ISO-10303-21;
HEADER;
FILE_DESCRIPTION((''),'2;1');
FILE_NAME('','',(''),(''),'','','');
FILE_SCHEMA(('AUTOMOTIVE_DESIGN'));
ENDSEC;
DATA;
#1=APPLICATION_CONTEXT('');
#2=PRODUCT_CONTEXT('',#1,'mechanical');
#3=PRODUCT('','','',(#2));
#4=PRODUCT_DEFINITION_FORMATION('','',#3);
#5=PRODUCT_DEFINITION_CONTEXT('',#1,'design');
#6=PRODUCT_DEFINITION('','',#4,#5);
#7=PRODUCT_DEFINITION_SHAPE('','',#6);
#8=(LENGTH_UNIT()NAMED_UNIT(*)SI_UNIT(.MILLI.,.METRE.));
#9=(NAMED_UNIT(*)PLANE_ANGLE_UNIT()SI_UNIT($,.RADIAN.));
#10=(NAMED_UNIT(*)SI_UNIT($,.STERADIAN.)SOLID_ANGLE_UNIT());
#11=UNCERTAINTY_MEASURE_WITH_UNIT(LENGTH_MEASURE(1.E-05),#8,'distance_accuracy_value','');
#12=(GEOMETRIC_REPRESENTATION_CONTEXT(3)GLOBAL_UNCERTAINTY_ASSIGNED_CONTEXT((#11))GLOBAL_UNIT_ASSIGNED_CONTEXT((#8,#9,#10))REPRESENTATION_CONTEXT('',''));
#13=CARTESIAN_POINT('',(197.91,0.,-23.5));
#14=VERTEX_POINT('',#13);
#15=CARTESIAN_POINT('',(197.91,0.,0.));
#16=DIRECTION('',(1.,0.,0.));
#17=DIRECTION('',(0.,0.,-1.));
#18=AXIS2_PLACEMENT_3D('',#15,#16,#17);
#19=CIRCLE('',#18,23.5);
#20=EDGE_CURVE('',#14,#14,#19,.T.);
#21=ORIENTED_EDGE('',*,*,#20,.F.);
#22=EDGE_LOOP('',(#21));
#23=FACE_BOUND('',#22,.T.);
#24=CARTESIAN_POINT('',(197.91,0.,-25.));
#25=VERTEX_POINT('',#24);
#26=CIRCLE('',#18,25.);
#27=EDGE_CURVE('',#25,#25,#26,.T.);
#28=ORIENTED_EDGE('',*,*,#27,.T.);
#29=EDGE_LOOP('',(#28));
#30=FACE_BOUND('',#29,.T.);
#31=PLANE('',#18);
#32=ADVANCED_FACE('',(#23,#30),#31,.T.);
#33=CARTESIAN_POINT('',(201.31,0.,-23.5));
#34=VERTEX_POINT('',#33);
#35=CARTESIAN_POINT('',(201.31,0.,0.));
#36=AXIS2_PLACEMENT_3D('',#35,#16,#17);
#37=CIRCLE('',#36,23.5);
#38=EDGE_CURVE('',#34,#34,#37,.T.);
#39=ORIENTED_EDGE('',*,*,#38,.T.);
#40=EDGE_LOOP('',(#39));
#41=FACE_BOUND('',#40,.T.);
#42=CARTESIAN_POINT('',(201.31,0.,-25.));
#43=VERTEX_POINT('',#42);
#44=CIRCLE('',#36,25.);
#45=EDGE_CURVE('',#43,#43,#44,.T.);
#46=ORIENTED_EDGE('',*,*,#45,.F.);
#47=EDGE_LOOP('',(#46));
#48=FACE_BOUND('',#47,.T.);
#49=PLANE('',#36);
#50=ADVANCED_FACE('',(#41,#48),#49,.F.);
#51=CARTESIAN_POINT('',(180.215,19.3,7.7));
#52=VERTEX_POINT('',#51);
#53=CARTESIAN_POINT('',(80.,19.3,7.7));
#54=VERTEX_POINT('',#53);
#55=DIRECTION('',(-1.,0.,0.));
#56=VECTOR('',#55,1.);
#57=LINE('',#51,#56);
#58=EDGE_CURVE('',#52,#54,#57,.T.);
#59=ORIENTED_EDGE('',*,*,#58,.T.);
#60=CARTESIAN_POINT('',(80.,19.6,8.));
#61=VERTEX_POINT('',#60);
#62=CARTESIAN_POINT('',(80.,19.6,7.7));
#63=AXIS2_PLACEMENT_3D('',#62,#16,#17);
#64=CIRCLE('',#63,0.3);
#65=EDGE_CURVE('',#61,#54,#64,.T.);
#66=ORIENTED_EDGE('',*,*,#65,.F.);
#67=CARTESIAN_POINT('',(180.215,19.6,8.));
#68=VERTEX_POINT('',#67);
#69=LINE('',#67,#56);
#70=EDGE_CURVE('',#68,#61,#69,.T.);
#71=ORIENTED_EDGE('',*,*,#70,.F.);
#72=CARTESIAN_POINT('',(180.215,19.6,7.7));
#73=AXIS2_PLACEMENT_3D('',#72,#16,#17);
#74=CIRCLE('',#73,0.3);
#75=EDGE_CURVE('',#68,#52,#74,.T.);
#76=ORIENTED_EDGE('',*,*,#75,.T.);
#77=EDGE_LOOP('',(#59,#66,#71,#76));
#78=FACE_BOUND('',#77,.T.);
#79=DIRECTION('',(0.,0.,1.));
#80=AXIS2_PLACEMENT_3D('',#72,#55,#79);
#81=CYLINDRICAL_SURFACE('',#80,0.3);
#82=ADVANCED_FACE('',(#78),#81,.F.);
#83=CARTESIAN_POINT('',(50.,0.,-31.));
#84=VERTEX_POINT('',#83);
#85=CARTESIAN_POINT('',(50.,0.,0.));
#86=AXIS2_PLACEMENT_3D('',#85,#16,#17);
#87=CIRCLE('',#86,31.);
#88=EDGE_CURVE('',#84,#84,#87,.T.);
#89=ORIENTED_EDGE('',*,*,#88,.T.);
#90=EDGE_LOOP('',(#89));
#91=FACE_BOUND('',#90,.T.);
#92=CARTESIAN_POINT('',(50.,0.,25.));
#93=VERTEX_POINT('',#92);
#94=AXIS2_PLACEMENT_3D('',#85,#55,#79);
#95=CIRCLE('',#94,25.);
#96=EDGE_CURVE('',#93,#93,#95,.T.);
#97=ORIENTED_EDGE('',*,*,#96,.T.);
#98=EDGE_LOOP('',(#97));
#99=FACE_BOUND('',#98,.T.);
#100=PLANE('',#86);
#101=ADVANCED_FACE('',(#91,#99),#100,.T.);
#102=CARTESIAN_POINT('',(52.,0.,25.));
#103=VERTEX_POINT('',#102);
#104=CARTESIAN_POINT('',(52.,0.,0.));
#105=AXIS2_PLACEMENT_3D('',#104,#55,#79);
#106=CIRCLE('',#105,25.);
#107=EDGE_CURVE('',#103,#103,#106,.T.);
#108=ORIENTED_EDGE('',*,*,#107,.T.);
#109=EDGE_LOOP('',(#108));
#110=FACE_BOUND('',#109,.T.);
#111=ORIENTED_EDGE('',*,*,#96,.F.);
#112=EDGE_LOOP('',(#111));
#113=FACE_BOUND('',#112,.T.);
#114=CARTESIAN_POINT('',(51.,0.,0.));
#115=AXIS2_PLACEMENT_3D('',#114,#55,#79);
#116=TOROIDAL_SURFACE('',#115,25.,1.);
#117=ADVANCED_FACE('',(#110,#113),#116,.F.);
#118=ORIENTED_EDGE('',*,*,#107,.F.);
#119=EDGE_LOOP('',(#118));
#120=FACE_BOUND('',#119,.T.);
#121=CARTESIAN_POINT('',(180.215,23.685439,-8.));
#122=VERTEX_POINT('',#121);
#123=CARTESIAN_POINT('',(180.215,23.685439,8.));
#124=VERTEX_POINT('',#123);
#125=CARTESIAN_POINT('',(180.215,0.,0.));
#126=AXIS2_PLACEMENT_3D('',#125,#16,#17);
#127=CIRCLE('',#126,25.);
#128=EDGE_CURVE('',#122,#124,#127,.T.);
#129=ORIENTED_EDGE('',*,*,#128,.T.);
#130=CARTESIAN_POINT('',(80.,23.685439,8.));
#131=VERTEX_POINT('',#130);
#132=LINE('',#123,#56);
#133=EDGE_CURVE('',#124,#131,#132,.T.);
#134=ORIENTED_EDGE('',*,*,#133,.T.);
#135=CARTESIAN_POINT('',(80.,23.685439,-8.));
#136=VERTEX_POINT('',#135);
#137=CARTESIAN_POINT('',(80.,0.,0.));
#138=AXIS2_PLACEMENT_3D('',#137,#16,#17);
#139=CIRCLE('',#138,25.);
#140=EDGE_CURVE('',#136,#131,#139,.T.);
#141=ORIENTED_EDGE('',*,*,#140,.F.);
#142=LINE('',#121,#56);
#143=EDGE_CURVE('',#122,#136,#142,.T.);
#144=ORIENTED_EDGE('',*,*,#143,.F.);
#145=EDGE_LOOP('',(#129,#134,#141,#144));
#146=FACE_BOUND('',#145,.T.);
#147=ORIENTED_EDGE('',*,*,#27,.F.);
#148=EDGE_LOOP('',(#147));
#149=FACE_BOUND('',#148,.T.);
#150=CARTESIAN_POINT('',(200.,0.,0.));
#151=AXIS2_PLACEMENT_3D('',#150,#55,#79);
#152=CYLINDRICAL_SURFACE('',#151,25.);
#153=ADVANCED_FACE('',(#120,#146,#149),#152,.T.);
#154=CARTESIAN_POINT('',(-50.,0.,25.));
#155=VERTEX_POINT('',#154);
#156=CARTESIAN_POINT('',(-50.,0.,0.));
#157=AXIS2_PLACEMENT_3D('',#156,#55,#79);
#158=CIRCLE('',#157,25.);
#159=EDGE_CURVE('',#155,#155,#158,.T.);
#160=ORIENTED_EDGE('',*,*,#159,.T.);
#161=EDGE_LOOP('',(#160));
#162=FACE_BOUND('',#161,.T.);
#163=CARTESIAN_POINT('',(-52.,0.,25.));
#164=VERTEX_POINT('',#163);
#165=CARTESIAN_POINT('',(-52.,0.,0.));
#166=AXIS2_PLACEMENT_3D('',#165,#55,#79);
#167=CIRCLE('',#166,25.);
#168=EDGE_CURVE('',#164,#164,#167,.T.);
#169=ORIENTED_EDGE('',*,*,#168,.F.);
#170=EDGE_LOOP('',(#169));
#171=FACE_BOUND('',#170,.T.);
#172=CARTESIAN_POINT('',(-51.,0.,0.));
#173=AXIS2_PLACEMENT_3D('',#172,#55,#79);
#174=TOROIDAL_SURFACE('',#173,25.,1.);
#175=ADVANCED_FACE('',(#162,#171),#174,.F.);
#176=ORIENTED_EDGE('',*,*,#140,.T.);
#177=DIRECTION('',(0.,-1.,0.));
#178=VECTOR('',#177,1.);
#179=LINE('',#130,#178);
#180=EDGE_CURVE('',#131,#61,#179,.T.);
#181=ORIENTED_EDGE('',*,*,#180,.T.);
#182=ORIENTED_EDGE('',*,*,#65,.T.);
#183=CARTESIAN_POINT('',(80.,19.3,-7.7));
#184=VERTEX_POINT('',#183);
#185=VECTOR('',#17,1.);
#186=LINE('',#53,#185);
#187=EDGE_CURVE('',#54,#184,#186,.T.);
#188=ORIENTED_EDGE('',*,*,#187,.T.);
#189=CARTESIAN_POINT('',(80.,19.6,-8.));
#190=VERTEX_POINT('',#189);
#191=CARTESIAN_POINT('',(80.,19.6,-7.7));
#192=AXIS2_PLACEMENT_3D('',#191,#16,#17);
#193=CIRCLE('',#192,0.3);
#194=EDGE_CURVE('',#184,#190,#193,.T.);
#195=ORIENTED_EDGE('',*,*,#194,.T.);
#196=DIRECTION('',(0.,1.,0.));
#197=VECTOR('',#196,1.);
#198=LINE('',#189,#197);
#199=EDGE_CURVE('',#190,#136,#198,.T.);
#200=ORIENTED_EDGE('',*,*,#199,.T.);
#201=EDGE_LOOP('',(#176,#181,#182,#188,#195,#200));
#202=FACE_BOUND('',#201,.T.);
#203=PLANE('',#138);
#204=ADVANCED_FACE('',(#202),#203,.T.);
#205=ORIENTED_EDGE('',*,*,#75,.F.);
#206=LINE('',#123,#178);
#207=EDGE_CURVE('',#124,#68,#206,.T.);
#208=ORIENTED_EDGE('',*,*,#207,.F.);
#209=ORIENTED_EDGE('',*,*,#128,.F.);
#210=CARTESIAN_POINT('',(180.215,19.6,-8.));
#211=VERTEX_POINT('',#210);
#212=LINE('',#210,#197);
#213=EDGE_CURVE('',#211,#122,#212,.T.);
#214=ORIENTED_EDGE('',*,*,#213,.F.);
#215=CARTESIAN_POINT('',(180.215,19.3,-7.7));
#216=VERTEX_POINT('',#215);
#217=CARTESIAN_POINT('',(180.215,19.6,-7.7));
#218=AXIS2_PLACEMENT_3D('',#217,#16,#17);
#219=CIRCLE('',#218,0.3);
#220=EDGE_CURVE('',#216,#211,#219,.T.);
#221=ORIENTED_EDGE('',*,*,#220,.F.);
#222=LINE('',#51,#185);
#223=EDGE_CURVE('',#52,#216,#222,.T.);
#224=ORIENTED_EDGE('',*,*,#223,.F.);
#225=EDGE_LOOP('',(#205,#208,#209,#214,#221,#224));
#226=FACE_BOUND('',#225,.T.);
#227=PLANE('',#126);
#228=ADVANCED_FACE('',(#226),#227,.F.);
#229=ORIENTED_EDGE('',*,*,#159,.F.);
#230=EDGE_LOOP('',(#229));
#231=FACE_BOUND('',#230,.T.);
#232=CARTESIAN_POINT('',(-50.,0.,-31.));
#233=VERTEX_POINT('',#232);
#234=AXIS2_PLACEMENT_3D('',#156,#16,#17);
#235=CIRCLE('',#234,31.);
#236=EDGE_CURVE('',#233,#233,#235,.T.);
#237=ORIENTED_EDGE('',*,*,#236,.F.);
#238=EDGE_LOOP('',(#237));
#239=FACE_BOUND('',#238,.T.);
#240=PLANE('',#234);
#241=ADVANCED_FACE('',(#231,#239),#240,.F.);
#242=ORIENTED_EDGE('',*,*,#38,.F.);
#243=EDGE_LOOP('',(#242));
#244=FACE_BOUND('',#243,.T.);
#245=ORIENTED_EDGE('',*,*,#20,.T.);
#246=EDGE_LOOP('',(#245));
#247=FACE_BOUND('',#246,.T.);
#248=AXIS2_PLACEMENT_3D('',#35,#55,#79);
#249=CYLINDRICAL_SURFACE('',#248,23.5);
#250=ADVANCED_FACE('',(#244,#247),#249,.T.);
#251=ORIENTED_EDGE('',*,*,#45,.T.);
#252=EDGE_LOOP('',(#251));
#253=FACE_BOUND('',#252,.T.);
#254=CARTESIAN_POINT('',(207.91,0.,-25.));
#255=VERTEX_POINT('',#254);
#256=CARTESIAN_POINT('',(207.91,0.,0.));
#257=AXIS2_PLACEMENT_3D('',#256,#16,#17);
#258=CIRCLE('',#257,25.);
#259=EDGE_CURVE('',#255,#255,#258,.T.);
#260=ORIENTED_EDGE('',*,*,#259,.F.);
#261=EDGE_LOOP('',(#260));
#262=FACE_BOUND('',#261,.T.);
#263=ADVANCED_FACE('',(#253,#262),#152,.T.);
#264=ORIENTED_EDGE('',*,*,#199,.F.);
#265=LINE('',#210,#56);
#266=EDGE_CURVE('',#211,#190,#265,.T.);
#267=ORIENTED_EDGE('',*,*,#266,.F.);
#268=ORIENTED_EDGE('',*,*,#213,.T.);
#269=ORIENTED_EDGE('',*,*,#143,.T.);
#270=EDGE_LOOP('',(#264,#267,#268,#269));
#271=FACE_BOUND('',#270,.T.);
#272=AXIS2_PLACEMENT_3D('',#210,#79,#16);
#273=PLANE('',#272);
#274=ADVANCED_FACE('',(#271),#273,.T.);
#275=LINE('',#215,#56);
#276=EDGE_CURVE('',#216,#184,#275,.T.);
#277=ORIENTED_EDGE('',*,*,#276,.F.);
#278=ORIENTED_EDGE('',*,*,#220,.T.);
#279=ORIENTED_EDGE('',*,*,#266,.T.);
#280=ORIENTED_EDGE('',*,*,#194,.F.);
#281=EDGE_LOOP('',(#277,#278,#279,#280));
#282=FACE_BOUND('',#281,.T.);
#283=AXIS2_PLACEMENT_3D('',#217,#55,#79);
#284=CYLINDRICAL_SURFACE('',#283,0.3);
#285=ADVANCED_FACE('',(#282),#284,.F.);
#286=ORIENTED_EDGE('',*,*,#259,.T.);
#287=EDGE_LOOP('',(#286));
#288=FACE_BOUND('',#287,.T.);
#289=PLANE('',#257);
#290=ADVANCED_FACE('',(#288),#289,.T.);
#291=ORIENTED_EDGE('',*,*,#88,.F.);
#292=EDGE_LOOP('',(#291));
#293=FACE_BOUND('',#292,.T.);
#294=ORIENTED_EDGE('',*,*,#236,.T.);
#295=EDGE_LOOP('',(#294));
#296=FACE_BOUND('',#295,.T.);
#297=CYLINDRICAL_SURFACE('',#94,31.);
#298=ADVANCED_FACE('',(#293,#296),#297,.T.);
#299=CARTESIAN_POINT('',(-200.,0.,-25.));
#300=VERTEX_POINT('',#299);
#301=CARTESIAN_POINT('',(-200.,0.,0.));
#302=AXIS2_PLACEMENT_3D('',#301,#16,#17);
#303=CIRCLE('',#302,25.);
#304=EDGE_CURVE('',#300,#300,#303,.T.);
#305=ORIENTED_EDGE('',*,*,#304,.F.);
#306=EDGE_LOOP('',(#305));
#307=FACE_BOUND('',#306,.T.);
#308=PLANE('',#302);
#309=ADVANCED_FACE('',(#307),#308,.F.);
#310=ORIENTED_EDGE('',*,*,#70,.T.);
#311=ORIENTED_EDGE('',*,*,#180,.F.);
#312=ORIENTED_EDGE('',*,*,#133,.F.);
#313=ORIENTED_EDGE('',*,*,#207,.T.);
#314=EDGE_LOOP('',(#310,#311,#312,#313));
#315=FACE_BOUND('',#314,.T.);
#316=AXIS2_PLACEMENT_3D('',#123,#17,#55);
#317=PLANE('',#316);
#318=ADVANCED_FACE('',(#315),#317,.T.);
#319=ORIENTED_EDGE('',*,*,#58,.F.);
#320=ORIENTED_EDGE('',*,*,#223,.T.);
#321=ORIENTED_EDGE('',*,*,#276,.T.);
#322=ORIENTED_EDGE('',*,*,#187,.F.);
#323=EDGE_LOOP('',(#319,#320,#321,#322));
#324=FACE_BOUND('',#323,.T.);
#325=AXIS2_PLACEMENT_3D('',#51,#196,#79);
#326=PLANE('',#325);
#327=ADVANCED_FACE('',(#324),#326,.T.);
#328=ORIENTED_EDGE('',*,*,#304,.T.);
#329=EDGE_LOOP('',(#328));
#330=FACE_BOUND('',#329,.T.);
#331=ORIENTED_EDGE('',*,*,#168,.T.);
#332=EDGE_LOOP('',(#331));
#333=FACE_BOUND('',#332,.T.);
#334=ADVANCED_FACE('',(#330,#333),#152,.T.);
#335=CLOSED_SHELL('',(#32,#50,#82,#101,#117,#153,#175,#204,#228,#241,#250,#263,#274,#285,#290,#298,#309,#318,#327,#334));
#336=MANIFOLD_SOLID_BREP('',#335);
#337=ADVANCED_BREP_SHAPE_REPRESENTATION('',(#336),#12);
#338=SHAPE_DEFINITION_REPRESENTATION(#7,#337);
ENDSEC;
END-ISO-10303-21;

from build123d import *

# Parameters (mm, degrees)
SKETCH1_R           = 31
BOSS_EXTRUDE1_DEPTH = 50
SKETCH1_4_R         = 25
BOSS_EXTRUDE2_DEPTH = 200
CUT_EXTRUDE1_START  = 130.215
CUT_EXTRUDE1_DEPTH  = 100.215
BOSS_EXTRUDE3_START = 7.91
SKETCH5_R           = 25
BOSS_EXTRUDE3_DEPTH = 7.91
CUT_EXTRUDE2_START  = -6.6
SKETCH6_R           = 25
SKETCH6_R_2         = 23.5
CUT_EXTRUDE2_DEPTH  = 3.4


with BuildPart() as part:
    # Sketch1 → Boss-Extrude1 (new, symmetric)
    with BuildSketch(Plane(origin=(0, 0, 0), x_dir=(0, 0, -1), z_dir=(1, 0, 0))):
        Circle(SKETCH1_R)
    extrude(amount=BOSS_EXTRUDE1_DEPTH, both=True)

    # Sketch1<4> → Boss-Extrude2 (add, symmetric)
    with BuildSketch(Plane(origin=(0, 0, 0), x_dir=(0, 0, -1), z_dir=(1, 0, 0))):
        Circle(SKETCH1_4_R)
    extrude(amount=BOSS_EXTRUDE2_DEPTH, both=True)

    # Sketch3 → Cut-Revolve1 (revolve, cut)
    with BuildSketch(Plane.XY):
        with BuildLine():
            Line((52, 25), (50, 25))
            ThreePointArc((50, 25), (51, 24), (52, 25))
        make_face()
        with BuildLine():
            Line((-52, 25), (-50, 25))
            ThreePointArc((-50, 25), (-51, 24), (-52, 25))
        make_face()
    revolve(axis=Axis((0, 0, 0), (1, 0, 0)), mode=Mode.SUBTRACT)

    # Sketch4 → Cut-Extrude1 (cut)
    with BuildSketch(Plane(origin=(50, 0, 0), x_dir=(0, 0, -1), z_dir=(1, 0, 0)).offset(CUT_EXTRUDE1_START)):
        with BuildLine():
            Line((-8, 23.685438565), (-8, 19.6))
            ThreePointArc((-8, 19.6), (-7.912132034, 19.387867966), (-7.7, 19.3))
            Line((-7.7, 19.3), (7.7, 19.3))
            ThreePointArc((7.7, 19.3), (7.912132034, 19.387867966), (8, 19.6))
            Line((8, 19.6), (8, 23.685438565))
            ThreePointArc((8, 23.685438565), (0, 25), (-8, 23.685438565))
        make_face()
    extrude(amount=-CUT_EXTRUDE1_DEPTH, mode=Mode.SUBTRACT)

    # Sketch5 → Boss-Extrude3 (add)
    with BuildSketch(Plane(origin=(200, 0, 0), x_dir=(0, 0, -1), z_dir=(1, 0, 0)).offset(BOSS_EXTRUDE3_START)):
        Circle(SKETCH5_R)
    extrude(amount=-BOSS_EXTRUDE3_DEPTH)

    # Sketch6 → Cut-Extrude2 (cut)
    with BuildSketch(Plane(origin=(207.91, 0, 0), x_dir=(0, 0, -1), z_dir=(1, 0, 0)).offset(CUT_EXTRUDE2_START)):
        Circle(SKETCH6_R)
        Circle(SKETCH6_R_2, mode=Mode.SUBTRACT)
    extrude(amount=-CUT_EXTRUDE2_DEPTH, mode=Mode.SUBTRACT)


solid = part.part
